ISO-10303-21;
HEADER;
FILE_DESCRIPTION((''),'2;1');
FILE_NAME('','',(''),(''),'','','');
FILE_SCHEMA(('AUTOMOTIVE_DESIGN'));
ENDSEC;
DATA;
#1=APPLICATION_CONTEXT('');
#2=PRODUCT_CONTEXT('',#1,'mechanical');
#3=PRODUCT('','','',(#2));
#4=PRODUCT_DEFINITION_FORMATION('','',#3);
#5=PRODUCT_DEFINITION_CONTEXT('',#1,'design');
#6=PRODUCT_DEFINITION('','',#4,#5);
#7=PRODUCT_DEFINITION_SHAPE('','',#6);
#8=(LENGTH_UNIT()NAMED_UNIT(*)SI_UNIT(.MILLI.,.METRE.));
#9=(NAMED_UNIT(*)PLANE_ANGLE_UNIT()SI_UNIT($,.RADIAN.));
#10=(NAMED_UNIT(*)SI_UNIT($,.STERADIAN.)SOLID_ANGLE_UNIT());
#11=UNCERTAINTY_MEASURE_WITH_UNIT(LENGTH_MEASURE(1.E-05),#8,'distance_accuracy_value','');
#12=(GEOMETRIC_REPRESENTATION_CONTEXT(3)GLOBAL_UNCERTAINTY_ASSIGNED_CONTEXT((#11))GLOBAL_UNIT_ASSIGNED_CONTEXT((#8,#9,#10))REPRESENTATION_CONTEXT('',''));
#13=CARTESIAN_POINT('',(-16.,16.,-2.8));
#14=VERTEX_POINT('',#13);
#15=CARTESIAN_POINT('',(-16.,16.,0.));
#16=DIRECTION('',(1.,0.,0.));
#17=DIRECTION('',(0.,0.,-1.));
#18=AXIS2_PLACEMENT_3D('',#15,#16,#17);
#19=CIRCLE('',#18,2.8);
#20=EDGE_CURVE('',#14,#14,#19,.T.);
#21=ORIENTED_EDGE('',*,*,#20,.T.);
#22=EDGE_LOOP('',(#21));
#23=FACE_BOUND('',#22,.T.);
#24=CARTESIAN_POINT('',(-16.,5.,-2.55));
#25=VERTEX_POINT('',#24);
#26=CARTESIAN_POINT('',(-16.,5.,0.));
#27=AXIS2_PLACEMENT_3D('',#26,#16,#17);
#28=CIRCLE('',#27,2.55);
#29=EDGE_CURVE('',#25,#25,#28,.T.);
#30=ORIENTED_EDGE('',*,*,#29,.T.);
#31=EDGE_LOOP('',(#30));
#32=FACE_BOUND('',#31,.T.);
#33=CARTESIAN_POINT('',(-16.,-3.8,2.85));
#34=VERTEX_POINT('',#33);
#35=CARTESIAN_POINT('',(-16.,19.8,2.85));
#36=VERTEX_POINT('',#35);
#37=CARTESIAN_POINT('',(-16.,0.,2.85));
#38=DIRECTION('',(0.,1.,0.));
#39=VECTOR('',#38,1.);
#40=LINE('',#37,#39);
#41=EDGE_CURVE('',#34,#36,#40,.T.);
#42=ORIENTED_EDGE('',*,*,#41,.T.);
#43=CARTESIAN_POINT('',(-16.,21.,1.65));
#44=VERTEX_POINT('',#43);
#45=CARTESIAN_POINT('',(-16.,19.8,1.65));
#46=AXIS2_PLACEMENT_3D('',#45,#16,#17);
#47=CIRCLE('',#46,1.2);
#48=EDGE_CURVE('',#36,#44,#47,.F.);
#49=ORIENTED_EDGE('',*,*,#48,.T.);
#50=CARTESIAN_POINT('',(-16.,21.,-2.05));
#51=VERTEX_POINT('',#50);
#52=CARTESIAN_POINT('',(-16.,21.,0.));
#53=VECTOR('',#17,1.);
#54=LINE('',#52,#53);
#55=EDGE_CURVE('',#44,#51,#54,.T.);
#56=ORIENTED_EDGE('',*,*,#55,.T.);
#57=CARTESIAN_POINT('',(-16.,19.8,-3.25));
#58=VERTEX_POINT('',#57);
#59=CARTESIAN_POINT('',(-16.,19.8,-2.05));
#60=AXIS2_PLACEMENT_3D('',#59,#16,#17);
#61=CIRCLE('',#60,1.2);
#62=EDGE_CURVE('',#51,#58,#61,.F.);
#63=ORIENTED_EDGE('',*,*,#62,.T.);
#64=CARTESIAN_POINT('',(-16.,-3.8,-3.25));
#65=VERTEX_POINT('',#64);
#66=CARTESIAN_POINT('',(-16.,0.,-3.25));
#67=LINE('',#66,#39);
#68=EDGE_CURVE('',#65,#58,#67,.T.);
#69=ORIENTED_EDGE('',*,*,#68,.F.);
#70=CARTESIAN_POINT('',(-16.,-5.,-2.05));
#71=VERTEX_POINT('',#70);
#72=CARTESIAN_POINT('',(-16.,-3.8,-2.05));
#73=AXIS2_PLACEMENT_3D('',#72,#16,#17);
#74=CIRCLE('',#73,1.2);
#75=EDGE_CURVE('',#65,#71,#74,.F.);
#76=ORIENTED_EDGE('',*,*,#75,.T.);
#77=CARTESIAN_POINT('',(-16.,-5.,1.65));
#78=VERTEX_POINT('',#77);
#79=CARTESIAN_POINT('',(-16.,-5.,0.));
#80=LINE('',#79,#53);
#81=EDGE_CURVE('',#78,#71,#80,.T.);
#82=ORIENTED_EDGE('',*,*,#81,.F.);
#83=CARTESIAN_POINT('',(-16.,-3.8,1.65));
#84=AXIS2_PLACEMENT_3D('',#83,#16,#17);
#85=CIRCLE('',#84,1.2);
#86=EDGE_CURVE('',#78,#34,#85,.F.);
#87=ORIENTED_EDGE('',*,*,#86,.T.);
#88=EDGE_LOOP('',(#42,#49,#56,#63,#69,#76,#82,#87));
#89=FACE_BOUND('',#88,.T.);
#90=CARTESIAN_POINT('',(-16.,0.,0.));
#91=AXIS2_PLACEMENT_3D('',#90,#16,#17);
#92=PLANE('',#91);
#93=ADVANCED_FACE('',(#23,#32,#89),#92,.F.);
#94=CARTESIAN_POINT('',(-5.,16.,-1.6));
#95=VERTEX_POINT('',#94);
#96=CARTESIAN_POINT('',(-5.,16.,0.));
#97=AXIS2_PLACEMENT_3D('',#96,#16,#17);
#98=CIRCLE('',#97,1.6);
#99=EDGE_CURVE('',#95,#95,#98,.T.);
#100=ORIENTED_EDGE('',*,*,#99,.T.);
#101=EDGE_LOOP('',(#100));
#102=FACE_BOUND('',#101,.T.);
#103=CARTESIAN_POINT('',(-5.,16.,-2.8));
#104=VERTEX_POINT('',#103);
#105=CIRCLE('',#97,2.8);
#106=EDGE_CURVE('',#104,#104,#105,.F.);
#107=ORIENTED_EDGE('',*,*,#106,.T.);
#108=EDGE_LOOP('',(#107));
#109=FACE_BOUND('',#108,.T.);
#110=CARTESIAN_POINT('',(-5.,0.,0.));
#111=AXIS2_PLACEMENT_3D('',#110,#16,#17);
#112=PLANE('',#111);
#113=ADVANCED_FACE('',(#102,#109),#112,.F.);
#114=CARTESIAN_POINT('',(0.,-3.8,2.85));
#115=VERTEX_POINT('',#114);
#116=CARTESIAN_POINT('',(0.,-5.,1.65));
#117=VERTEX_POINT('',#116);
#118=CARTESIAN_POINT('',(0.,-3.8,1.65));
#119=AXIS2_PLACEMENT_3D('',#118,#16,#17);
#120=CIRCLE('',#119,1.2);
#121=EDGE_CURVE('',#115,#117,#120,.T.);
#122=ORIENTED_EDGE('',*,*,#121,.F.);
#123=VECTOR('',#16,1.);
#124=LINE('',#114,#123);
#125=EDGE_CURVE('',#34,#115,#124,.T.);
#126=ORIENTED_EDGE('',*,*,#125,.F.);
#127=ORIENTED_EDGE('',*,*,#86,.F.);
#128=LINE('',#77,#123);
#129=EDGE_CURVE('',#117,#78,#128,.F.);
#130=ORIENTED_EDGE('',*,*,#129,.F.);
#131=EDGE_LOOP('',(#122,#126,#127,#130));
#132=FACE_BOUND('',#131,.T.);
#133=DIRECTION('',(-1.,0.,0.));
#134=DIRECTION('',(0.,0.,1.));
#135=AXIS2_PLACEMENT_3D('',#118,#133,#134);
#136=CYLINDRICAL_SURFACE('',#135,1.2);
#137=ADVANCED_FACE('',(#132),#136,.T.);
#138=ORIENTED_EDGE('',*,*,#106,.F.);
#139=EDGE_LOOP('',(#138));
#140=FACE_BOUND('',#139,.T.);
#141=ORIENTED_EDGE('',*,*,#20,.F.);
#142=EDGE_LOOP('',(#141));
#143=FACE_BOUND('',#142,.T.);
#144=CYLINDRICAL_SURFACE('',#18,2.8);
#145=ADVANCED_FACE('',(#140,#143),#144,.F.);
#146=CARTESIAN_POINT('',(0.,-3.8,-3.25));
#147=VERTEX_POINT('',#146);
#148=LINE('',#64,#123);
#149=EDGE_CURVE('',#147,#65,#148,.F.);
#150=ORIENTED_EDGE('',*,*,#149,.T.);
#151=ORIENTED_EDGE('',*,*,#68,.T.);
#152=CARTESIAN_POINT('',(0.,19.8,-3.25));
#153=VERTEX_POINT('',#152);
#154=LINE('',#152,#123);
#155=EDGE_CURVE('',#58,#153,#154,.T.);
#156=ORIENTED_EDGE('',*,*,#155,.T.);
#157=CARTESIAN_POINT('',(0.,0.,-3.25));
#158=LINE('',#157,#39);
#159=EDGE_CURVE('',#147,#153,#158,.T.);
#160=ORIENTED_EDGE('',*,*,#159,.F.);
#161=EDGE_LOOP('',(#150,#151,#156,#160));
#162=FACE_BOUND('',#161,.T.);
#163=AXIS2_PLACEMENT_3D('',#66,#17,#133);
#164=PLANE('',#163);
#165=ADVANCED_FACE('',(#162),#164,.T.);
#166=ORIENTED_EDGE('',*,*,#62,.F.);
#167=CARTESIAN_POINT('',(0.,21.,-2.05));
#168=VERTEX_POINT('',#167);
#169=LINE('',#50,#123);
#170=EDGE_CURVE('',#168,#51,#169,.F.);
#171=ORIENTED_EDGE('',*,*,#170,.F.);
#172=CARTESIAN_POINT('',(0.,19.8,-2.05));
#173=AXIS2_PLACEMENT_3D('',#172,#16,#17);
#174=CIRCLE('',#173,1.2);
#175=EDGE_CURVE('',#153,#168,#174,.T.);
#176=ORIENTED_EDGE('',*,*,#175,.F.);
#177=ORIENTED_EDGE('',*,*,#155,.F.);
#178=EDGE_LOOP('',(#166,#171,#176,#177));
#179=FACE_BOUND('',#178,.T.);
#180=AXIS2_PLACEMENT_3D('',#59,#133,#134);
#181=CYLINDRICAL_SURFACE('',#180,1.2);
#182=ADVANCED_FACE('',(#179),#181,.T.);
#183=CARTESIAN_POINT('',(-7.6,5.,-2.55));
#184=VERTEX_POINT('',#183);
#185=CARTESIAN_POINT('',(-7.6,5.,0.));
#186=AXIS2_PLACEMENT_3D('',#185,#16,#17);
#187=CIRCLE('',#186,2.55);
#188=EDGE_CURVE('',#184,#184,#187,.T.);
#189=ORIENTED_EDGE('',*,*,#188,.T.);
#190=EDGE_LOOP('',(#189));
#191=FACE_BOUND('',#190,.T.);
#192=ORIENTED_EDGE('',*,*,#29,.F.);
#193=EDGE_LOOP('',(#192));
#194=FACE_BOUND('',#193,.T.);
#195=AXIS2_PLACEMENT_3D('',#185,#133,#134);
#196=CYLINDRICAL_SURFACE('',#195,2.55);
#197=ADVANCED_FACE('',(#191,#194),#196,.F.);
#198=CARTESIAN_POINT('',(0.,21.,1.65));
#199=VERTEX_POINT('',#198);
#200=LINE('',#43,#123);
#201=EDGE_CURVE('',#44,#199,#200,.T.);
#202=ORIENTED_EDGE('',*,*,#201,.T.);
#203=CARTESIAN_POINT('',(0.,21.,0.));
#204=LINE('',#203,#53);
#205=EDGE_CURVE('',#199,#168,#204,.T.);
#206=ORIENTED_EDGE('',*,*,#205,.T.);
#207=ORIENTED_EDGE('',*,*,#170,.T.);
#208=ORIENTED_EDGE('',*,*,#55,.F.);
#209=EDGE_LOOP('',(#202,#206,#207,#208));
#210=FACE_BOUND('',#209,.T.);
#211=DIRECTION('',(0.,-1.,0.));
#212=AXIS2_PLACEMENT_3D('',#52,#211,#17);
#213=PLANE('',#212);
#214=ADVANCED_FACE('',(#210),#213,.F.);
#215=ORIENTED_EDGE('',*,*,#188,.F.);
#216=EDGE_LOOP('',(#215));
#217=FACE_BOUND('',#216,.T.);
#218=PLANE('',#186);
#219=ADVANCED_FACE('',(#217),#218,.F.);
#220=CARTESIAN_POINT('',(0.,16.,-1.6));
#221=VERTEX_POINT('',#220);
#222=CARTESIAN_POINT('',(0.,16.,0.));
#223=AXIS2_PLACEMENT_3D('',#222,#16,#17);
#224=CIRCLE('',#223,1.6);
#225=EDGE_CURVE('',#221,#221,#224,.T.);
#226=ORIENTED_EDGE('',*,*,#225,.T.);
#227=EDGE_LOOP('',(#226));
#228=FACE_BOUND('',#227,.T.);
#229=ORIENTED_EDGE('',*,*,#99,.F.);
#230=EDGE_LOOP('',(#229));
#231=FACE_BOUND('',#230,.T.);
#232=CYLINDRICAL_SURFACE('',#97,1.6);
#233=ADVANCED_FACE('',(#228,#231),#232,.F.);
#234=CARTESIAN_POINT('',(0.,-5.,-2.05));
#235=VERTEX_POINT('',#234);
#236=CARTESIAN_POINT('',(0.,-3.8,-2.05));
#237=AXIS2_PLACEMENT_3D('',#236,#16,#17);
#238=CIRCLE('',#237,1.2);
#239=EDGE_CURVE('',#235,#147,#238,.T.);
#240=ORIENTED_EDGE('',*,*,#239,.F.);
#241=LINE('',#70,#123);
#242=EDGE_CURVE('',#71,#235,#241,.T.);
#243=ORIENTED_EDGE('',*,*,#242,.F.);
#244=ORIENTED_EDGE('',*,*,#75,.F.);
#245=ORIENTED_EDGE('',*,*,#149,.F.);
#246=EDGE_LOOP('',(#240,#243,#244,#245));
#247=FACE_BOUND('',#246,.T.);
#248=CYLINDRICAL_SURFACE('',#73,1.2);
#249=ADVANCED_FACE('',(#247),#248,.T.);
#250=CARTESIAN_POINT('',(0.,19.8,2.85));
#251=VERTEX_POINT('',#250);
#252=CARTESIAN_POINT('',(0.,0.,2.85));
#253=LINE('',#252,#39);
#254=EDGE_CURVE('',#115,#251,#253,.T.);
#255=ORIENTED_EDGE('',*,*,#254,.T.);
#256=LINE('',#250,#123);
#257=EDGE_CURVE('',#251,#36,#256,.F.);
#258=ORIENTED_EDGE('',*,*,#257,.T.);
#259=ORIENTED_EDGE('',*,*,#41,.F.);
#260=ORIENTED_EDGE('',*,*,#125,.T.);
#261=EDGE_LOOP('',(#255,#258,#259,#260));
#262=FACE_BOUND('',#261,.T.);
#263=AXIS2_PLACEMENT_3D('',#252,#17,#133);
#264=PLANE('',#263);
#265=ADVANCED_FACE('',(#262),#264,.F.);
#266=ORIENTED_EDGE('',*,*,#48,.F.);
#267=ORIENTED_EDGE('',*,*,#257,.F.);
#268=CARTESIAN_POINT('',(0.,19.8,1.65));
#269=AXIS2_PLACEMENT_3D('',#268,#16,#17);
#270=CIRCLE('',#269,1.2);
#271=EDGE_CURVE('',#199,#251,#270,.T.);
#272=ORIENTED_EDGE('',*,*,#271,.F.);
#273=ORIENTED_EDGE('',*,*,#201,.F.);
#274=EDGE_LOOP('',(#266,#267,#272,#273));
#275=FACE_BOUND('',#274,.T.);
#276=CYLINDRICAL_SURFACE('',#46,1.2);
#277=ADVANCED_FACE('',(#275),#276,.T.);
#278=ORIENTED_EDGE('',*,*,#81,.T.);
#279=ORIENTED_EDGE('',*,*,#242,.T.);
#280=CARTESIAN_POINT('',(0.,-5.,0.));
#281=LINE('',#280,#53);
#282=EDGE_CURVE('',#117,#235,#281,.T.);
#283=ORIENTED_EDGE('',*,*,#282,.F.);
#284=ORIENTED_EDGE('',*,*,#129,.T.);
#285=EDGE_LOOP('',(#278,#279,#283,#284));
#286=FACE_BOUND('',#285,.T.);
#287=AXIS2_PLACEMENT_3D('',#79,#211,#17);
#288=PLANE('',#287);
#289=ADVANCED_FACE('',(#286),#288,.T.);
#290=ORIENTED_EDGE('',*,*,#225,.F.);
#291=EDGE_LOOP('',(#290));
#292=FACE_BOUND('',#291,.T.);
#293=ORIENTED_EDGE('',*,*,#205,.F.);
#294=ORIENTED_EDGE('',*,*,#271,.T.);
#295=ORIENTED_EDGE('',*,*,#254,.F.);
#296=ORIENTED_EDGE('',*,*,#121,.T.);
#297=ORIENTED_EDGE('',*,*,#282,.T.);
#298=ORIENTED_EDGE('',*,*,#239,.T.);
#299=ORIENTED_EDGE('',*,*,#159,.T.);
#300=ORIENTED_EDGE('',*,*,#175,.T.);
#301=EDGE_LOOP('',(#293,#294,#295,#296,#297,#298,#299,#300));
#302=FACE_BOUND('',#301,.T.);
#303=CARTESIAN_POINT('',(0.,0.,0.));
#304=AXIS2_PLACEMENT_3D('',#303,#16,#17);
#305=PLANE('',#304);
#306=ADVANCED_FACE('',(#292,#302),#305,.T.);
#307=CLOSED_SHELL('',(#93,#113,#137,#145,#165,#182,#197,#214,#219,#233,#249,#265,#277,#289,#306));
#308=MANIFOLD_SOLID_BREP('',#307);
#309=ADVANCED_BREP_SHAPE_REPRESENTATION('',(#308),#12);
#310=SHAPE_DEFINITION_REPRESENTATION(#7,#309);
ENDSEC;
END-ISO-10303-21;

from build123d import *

# Parameters (mm, degrees)
SKETCH1_W           = 6.5
SKETCH1_H           = 26
SKETCH1_R           = 2.8
BOSS_EXTRUDE1_DEPTH = 16
SKETCH1_3_R         = 2.8
SKETCH1_3_R_2       = 1.6
BOSS_EXTRUDE3_DEPTH = 5
CUT_EXTRUDE2_START  = -16
SKETCH1_4_R         = 2.55
CUT_EXTRUDE2_DEPTH  = 8.4
CUT_EXTRUDE1_START  = 3.25
SKETCH2_R           = 50
CUT_EXTRUDE1_DEPTH  = 0.4
FILLET1_R           = 1.2


with BuildPart() as part:
    # Sketch1 → Boss-Extrude1 (new body)
    with BuildSketch(Plane(origin=(0, 0, 0), x_dir=(0, 0, -1), z_dir=(1, 0, 0))):
        with Locations((0, 8)):
            Rectangle(SKETCH1_W, SKETCH1_H)
        with Locations((0, 16)):
            Circle(SKETCH1_R, mode=Mode.SUBTRACT)
    extrude(amount=-BOSS_EXTRUDE1_DEPTH)

    # Sketch1<3> → Boss-Extrude3 (add)
    with BuildSketch(Plane(origin=(0, 0, 0), x_dir=(0, 0, -1), z_dir=(1, 0, 0))):
        with Locations((0, 16)):
            Circle(SKETCH1_3_R)
        with Locations((0, 16)):
            Circle(SKETCH1_3_R_2, mode=Mode.SUBTRACT)
    extrude(amount=-BOSS_EXTRUDE3_DEPTH)

    # Sketch1<4> → Cut-Extrude2 (cut)
    with BuildSketch(Plane(origin=(0, 0, 0), x_dir=(0, 0, -1), z_dir=(1, 0, 0)).offset(CUT_EXTRUDE2_START)):
        with Locations((0, 5)):
            Circle(SKETCH1_4_R)
    extrude(amount=CUT_EXTRUDE2_DEPTH, mode=Mode.SUBTRACT)

    # Sketch2 → Cut-Extrude1 (cut)
    with BuildSketch(Plane.XY.offset(CUT_EXTRUDE1_START)):
        Circle(SKETCH2_R)
    extrude(amount=-CUT_EXTRUDE1_DEPTH, mode=Mode.SUBTRACT)

    # Fillet1
    fillet1_edges = [part.edges().sort_by_distance(p)[0] for p in [
        (-8, 21, -3.25),
        (-8, -5, -3.25),
        (-8, 21, 2.85),
        (-8, -5, 2.85),
    ]]
    fillet(fillet1_edges, radius=FILLET1_R)


solid = part.part
